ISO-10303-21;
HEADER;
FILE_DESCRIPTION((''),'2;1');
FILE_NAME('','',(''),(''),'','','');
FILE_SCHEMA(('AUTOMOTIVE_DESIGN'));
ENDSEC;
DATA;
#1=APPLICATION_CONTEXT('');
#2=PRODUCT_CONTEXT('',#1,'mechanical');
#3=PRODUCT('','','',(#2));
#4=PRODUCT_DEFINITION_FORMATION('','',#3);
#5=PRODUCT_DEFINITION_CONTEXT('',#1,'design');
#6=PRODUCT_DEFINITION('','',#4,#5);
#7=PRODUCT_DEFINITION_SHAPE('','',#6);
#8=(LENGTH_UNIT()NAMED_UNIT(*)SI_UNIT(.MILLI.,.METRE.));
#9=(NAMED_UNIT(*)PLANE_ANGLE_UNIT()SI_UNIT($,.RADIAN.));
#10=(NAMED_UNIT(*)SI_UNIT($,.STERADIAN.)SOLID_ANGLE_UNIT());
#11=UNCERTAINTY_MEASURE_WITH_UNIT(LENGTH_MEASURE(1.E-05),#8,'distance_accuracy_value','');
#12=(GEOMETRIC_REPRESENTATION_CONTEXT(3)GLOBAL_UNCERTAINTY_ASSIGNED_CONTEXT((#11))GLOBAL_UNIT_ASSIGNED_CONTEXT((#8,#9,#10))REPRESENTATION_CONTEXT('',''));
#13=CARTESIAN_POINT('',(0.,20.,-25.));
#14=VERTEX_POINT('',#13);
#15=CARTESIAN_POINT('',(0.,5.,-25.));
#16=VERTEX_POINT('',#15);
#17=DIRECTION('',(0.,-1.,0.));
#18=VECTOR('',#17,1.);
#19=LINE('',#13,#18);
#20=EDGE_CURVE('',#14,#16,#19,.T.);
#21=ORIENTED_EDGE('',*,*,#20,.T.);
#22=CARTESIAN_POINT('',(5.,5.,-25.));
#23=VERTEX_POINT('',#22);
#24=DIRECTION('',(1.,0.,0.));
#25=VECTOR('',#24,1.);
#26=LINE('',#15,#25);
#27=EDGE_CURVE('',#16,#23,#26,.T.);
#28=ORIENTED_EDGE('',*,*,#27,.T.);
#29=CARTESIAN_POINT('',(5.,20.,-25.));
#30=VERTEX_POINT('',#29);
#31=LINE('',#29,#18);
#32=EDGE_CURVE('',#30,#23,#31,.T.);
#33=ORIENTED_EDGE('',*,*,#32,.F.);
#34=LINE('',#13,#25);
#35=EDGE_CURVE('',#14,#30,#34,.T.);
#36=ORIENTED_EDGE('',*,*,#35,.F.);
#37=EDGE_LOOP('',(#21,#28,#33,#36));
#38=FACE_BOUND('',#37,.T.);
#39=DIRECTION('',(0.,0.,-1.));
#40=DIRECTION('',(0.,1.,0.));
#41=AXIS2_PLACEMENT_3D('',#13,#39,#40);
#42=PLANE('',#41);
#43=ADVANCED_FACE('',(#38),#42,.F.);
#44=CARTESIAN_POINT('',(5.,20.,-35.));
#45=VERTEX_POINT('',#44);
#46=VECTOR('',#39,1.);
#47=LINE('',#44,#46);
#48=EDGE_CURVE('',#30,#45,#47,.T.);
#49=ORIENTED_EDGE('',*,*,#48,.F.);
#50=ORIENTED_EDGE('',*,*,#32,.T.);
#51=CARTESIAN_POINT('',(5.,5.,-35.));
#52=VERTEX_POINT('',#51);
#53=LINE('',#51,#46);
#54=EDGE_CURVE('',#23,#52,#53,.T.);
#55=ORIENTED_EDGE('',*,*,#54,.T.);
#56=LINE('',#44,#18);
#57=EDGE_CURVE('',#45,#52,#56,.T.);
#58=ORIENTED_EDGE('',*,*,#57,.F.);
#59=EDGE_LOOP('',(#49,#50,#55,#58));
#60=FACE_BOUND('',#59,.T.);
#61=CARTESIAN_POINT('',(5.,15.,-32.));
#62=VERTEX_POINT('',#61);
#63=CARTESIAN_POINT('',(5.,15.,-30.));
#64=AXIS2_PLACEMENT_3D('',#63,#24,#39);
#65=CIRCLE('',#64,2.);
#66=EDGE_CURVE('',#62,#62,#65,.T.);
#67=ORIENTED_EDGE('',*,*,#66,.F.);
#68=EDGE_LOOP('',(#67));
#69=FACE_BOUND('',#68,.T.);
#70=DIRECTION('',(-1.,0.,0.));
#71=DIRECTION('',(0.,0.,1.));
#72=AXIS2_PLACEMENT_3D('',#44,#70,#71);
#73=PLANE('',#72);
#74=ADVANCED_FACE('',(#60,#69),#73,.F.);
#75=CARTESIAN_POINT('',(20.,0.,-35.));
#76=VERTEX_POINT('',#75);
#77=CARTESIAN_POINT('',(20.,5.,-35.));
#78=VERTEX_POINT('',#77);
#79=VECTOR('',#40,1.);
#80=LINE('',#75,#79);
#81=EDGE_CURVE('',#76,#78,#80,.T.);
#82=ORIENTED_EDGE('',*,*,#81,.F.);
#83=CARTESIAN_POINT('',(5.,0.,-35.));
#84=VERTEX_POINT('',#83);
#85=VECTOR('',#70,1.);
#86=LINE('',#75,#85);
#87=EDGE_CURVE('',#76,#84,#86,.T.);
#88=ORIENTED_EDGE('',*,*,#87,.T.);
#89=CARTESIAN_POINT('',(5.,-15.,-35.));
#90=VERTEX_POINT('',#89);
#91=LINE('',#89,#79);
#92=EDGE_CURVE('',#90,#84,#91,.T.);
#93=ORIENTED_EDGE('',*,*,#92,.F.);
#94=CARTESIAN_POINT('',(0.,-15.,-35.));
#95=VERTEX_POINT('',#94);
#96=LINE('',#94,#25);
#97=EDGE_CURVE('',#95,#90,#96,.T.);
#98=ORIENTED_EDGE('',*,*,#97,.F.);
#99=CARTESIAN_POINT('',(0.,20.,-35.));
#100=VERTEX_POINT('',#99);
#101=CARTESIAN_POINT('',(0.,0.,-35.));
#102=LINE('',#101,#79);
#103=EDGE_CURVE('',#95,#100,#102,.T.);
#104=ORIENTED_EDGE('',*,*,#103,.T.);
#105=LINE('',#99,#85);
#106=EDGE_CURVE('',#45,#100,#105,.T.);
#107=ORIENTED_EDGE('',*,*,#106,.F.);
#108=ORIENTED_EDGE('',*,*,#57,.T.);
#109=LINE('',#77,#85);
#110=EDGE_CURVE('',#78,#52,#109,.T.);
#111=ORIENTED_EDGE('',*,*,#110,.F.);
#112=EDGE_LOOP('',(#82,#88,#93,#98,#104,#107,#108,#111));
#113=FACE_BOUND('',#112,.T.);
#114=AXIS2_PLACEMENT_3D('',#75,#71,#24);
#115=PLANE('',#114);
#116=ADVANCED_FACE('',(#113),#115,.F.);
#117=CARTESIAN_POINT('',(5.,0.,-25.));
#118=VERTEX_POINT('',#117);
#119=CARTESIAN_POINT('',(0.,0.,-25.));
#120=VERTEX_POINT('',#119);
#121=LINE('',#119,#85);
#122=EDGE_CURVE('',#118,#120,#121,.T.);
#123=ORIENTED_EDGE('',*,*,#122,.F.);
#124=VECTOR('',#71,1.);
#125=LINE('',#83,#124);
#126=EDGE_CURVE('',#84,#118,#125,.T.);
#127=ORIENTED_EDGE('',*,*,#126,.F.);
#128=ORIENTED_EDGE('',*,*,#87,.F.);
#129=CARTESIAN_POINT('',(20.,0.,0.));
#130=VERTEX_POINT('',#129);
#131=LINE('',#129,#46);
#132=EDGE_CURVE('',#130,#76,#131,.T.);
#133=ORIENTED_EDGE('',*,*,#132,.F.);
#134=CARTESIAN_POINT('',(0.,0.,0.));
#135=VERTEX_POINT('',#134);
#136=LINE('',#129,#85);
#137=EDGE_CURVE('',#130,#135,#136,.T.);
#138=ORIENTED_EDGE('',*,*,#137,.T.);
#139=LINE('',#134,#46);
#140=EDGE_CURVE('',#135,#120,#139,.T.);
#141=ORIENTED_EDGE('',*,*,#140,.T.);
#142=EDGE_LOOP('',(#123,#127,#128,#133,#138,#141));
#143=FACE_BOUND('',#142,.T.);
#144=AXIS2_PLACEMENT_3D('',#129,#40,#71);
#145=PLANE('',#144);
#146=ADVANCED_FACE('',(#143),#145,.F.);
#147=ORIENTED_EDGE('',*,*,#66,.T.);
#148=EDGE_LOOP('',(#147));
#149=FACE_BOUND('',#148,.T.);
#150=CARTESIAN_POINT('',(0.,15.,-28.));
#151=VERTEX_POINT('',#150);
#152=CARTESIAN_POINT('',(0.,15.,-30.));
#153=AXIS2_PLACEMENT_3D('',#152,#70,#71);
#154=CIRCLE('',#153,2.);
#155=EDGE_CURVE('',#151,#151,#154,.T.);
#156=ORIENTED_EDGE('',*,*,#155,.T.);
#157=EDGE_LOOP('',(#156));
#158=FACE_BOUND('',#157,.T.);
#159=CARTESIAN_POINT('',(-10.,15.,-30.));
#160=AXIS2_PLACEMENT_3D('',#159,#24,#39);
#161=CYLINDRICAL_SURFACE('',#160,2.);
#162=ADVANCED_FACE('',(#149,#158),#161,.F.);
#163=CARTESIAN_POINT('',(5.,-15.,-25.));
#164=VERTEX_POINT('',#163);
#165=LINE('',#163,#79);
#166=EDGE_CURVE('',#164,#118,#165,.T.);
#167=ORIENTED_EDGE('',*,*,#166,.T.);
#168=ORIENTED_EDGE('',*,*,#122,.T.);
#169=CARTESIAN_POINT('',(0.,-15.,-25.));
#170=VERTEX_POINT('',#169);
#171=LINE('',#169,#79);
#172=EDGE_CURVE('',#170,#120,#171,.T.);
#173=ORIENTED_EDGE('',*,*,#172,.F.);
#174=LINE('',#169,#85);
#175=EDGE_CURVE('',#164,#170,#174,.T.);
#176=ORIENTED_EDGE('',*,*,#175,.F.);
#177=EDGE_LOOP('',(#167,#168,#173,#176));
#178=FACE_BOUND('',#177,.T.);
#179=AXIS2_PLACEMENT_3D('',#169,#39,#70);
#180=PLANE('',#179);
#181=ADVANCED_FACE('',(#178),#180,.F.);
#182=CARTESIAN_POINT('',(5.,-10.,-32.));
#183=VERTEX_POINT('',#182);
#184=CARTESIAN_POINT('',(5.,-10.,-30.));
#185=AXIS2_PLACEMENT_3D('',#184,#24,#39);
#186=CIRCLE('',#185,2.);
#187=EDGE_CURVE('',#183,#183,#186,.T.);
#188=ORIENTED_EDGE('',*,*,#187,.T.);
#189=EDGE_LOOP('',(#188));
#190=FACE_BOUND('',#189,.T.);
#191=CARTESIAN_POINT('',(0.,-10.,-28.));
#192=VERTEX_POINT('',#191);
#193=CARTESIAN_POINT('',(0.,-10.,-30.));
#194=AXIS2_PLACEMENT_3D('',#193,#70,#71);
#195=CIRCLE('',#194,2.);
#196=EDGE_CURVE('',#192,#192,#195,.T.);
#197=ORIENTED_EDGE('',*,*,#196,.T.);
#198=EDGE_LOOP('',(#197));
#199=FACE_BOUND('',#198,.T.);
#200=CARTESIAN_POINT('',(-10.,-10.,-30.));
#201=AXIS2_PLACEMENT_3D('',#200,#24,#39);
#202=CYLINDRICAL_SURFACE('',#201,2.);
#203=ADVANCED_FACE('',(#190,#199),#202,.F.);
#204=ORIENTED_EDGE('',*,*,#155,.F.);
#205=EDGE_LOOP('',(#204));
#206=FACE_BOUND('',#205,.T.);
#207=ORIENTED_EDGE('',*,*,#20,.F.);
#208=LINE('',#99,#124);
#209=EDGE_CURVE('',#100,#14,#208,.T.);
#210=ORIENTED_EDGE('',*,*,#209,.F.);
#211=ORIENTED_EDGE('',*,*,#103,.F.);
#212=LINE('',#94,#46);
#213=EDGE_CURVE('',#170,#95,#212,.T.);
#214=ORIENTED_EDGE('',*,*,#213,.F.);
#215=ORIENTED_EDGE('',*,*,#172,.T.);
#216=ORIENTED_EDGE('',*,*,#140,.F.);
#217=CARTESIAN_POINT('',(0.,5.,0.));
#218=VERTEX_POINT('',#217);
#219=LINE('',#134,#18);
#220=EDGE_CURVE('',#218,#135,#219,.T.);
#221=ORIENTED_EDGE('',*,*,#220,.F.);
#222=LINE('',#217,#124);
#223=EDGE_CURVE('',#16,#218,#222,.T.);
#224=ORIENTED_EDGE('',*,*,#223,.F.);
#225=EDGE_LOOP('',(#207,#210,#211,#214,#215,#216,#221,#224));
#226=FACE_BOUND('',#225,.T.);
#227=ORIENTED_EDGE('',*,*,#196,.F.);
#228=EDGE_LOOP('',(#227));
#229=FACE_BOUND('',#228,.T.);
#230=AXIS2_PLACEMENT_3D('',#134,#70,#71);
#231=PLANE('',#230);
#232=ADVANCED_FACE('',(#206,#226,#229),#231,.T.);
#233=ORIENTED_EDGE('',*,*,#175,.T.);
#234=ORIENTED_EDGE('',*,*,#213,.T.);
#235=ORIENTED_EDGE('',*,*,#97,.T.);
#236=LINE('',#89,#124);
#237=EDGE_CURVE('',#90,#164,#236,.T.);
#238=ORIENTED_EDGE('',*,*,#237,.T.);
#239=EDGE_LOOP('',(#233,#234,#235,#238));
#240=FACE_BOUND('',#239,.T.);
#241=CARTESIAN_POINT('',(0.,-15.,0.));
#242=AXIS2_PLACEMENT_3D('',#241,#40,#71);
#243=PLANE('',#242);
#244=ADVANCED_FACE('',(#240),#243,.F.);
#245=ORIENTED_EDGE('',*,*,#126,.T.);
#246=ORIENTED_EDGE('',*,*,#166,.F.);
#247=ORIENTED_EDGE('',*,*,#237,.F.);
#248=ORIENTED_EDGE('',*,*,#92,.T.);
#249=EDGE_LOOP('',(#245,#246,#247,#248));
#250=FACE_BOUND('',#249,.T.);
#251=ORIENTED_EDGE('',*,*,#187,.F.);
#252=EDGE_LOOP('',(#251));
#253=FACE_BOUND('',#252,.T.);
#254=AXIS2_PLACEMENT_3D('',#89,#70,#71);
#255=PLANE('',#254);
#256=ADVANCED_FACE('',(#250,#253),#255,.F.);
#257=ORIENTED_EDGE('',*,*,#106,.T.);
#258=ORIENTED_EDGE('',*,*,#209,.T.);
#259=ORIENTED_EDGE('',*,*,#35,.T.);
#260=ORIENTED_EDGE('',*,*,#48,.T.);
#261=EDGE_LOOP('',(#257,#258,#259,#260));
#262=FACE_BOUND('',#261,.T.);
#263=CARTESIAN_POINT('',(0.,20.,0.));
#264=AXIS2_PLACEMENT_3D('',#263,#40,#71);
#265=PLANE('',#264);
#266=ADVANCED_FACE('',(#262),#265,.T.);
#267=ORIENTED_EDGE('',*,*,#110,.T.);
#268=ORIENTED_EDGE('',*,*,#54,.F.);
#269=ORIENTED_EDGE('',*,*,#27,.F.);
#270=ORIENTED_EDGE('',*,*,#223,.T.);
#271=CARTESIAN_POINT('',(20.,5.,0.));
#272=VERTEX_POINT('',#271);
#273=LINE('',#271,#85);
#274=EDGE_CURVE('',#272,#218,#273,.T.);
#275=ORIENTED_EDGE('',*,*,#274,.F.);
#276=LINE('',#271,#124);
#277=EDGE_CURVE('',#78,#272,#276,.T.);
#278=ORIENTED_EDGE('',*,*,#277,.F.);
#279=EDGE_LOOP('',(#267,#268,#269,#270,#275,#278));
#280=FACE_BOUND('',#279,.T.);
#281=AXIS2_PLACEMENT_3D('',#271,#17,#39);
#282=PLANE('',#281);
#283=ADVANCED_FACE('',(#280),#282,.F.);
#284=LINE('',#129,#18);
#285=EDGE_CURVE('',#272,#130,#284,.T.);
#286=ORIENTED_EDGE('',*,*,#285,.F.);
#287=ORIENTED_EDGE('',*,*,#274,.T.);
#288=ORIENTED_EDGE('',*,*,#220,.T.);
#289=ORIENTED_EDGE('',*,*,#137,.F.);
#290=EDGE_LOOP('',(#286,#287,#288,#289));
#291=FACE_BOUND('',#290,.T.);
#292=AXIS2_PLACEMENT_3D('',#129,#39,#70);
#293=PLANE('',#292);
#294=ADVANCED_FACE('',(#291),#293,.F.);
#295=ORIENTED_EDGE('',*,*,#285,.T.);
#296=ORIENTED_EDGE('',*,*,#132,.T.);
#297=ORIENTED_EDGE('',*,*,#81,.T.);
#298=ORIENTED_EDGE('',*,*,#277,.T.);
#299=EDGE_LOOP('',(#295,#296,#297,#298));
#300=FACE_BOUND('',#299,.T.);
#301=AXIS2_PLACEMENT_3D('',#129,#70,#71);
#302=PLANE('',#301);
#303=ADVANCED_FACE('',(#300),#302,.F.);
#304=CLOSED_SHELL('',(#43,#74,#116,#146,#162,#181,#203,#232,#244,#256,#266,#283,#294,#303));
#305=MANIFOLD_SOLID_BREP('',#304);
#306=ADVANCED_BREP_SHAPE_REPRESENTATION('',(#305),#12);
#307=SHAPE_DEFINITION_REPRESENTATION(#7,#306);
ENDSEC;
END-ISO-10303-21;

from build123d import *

# Parameters (mm, degrees)
SKETCH1_W           = 35
SKETCH1_H           = 5
BOSS_EXTRUDE1_DEPTH = 20
SKETCH2_W           = 5
SKETCH2_H           = 10
BOSS_EXTRUDE2_DEPTH = 15
SKETCH3_W           = 5
SKETCH3_H           = 10
BOSS_EXTRUDE3_DEPTH = 15
SKETCH4_R           = 2
CUT_EXTRUDE1_DEPTH  = 15


with BuildPart() as part:
    # Sketch1 → Boss-Extrude1 (new body)
    with BuildSketch(Plane(origin=(0, 0, 0), x_dir=(0, 0, -1), z_dir=(1, 0, 0))):
        with Locations((17.5, 2.5)):
            Rectangle(SKETCH1_W, SKETCH1_H)
    extrude(amount=BOSS_EXTRUDE1_DEPTH)

    # Sketch2 → Boss-Extrude2 (add)
    with BuildSketch(Plane(origin=(0, 5, 0), x_dir=(1, 0, 0), z_dir=(0, 1, 0))):
        with Locations((2.5, 30)):
            Rectangle(SKETCH2_W, SKETCH2_H)
    extrude(amount=BOSS_EXTRUDE2_DEPTH)

    # Sketch3 → Boss-Extrude3 (add)
    with BuildSketch(Plane.XZ):
        with Locations((2.5, -30)):
            Rectangle(SKETCH3_W, SKETCH3_H)
    extrude(amount=BOSS_EXTRUDE3_DEPTH)

    # Sketch4 → Cut-Extrude1 (cut)
    with BuildSketch(Plane(origin=(5, 0, 0), x_dir=(0, 0, -1), z_dir=(1, 0, 0))):
        with Locations((30, 15)):
            Circle(SKETCH4_R)
        with Locations((30, -10)):
            Circle(SKETCH4_R)
    extrude(amount=-CUT_EXTRUDE1_DEPTH, mode=Mode.SUBTRACT)


solid = part.part
